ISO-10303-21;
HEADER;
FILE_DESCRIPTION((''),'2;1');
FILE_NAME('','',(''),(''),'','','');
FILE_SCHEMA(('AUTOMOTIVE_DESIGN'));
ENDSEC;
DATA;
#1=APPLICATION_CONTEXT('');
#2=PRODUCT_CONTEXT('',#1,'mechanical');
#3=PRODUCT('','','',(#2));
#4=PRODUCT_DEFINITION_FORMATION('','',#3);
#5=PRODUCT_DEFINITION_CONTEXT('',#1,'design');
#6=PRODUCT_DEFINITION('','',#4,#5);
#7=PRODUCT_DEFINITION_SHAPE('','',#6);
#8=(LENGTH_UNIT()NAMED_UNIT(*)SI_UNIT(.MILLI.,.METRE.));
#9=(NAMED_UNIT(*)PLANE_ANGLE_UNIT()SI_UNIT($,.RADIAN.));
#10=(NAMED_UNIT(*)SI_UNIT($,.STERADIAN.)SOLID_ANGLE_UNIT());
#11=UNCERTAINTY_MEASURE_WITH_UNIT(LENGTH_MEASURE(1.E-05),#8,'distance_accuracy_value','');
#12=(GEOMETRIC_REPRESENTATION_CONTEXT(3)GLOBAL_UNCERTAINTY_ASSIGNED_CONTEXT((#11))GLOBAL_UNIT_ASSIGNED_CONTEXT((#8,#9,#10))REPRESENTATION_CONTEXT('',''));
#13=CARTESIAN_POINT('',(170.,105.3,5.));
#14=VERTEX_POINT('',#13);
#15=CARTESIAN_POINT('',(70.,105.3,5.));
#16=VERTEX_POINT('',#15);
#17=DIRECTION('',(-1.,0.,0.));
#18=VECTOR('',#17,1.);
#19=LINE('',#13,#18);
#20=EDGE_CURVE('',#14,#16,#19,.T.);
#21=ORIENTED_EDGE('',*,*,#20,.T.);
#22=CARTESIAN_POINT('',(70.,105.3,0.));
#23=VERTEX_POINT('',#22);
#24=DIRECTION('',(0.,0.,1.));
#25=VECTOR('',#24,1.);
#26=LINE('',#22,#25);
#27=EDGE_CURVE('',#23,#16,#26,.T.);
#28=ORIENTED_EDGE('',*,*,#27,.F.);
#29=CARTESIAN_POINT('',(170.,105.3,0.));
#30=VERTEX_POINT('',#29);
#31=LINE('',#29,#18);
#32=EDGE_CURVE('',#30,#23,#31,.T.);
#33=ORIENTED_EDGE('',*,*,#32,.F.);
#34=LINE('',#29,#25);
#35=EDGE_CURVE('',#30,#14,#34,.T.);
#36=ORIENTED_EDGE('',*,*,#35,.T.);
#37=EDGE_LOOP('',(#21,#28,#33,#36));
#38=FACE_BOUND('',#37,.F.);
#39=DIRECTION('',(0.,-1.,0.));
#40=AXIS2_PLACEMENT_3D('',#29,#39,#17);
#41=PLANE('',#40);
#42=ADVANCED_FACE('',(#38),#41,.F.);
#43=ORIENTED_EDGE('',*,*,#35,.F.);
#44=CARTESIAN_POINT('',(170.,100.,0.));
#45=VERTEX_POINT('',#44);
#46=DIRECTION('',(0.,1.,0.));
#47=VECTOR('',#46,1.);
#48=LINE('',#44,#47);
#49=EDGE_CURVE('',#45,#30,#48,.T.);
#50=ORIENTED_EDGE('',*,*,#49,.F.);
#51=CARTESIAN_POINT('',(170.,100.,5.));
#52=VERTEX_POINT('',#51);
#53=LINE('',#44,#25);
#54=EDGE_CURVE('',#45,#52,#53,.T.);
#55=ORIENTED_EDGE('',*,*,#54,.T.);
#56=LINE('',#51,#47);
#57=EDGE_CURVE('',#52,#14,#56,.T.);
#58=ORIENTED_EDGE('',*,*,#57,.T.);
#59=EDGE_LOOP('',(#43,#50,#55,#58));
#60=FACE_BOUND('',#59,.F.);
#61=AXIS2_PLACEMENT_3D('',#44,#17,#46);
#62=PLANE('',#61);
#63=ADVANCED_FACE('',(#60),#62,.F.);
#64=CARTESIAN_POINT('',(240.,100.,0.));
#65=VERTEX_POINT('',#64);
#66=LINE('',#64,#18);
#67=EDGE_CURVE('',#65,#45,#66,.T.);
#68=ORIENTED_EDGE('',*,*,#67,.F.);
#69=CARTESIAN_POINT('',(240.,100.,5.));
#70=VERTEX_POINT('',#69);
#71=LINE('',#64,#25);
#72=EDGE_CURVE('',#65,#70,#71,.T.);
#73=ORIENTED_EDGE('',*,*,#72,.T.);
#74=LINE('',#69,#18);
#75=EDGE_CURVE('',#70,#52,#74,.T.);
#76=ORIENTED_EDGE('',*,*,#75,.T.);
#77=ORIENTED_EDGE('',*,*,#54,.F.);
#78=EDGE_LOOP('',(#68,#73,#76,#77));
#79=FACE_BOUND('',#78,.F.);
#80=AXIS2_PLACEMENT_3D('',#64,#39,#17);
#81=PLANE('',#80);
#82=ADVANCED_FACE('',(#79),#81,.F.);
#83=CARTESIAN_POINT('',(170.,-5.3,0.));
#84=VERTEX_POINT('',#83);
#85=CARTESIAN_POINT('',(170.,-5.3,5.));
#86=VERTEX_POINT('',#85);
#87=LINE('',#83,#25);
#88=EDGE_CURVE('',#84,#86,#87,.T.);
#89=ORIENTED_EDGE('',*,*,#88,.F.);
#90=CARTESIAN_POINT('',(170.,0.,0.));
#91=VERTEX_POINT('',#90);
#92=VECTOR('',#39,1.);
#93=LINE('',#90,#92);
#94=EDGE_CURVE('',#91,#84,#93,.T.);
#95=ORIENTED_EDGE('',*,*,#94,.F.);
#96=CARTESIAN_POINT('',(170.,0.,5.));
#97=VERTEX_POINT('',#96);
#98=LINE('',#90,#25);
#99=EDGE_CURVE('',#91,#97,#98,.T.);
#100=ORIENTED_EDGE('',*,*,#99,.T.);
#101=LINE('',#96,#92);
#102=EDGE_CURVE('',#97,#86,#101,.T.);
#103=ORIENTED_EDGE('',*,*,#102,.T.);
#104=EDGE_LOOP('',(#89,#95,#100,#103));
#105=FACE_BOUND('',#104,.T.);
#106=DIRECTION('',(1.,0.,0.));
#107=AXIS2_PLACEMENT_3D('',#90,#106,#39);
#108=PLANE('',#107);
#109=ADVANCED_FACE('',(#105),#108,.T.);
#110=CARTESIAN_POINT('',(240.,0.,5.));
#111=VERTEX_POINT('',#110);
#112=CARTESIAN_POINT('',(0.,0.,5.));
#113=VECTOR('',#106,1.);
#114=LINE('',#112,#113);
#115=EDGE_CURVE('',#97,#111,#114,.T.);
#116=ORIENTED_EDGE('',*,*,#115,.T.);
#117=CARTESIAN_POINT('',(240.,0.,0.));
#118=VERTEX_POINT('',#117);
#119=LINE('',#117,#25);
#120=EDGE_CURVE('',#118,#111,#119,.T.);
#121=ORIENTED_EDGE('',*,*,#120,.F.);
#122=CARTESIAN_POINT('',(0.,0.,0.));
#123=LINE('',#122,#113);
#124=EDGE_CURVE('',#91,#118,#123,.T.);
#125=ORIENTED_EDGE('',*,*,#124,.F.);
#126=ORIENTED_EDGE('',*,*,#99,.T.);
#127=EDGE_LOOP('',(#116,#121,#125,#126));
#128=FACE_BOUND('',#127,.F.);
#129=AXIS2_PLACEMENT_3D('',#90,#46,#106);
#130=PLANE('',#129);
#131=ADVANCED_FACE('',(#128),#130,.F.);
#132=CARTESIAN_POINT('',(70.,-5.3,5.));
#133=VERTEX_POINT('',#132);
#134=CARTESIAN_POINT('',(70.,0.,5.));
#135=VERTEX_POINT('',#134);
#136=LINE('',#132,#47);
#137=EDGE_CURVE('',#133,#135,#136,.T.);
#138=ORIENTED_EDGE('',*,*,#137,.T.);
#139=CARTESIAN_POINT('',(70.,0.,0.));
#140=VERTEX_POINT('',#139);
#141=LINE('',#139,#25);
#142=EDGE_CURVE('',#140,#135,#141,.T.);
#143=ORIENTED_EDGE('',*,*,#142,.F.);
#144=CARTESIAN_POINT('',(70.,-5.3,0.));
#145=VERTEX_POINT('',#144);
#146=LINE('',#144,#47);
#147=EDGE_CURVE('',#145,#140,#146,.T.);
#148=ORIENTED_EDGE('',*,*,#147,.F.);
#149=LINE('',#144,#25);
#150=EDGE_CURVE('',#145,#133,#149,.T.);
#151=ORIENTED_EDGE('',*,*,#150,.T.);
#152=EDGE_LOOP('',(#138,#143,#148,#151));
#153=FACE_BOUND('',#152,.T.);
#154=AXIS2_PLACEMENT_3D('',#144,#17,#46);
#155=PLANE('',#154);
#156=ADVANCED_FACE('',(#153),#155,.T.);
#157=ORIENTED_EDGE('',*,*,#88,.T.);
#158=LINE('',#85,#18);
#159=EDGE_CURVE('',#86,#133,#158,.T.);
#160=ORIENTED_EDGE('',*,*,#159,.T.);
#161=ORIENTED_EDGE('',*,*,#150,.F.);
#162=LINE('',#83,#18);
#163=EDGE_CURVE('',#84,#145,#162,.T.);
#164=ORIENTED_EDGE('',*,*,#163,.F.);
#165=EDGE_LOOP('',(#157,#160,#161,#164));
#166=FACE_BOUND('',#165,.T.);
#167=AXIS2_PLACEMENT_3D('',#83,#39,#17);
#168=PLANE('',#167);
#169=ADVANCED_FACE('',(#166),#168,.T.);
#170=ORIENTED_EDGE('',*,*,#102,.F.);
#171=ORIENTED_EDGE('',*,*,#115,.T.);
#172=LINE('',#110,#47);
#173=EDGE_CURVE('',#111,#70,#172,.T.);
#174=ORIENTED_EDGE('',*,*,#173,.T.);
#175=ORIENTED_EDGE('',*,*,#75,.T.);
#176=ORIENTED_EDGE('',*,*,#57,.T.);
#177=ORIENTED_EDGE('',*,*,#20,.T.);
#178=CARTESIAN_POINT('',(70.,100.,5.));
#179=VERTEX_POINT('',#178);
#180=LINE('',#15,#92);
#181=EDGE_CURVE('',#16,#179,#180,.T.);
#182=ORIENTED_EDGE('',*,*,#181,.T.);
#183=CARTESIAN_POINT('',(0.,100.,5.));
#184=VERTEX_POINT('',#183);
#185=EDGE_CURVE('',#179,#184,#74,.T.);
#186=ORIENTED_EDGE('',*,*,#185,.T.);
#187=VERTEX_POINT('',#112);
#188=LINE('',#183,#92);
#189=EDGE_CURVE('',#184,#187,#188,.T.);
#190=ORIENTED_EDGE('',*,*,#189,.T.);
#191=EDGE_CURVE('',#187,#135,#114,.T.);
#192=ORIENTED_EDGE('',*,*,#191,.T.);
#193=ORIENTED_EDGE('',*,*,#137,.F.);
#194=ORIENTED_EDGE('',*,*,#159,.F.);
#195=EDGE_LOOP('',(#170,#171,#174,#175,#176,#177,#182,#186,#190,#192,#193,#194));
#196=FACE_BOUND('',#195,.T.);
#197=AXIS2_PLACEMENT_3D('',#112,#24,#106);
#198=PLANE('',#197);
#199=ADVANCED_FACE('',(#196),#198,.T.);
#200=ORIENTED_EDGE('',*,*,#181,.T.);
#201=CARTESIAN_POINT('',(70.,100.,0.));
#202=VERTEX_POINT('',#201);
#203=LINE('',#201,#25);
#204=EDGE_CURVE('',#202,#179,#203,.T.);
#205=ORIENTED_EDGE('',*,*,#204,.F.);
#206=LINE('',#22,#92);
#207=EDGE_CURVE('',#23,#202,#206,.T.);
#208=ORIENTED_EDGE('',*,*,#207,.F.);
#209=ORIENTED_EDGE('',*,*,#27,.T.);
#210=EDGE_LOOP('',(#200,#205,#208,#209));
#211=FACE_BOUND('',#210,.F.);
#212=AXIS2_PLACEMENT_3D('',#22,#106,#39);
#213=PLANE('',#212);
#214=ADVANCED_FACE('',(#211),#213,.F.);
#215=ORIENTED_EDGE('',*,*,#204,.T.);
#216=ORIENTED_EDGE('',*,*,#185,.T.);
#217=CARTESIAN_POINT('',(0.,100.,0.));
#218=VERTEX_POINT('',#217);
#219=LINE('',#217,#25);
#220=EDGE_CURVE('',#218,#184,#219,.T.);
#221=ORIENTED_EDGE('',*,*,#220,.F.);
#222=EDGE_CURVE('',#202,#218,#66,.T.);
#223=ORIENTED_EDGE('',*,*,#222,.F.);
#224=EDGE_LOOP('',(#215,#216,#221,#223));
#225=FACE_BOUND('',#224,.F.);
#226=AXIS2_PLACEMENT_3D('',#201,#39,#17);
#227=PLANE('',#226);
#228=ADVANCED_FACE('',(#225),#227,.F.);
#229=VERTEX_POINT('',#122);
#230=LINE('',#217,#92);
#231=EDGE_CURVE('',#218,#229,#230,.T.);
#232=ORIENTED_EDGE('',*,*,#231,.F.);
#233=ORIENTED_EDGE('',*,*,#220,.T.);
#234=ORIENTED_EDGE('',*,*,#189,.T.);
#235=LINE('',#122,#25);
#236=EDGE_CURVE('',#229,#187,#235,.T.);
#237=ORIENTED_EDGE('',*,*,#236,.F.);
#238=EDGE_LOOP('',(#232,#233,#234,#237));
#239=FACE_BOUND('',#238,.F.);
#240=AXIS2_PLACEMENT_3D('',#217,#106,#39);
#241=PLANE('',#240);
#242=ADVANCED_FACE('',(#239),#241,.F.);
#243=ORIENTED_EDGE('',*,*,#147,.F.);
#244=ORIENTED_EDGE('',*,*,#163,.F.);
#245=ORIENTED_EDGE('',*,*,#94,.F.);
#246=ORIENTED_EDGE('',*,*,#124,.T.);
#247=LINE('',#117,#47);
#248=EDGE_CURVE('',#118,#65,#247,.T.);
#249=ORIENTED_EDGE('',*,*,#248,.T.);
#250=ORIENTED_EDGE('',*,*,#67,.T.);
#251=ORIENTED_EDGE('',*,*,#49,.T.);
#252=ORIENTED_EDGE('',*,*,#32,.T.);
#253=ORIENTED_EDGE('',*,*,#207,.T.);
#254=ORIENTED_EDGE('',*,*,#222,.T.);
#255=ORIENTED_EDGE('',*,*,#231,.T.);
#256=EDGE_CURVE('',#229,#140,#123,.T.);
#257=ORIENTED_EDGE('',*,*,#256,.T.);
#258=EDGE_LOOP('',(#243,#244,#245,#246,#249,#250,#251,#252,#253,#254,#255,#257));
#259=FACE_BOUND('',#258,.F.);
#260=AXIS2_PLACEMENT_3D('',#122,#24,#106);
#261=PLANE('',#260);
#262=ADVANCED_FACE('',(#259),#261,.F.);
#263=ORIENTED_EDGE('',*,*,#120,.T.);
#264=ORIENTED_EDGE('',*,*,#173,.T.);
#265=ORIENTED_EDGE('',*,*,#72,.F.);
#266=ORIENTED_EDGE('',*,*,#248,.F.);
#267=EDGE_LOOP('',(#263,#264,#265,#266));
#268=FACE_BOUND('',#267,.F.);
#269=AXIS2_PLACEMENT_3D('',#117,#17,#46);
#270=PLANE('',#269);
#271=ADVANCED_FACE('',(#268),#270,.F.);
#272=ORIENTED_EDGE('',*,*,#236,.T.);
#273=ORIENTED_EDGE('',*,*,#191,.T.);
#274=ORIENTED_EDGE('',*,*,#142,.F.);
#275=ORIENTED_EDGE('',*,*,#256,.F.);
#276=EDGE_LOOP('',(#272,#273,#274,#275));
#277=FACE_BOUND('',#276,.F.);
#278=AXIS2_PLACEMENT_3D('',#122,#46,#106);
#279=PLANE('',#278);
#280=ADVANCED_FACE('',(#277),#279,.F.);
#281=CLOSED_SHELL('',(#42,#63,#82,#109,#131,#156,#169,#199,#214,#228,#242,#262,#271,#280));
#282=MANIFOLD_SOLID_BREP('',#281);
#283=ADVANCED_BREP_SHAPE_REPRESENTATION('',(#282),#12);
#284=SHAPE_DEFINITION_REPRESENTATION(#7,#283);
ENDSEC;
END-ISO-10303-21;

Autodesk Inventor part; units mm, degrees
ref_plane "YZ Plane" through (0, 0, 0) normal (1, 0, 0) x (0, 1, 0)
ref_plane "XZ Plane" through (0, 0, 0) normal (0, 1, 0) x (-1, 0, 0)
ref_plane "XY Plane" through (0, 0, 0) normal (0, 0, 1) x (1, 0, 0)
sketch "Sketch1" plane through (0, 0, 0) normal (0, 0, 1) x (1, 0, 0)
  line L0 (0, 0) -> (240, 0)
  line L1 (240, 0) -> (240, 100)
  line L2 (240, 100) -> (0, 100)
  line L3 (0, 100) -> (0, 0)
  line L4 (70, 0) -> (170, 0)
  line L5 (170, 0) -> (170, -5.3)
  line L6 (170, -5.3) -> (70, -5.3)
  line L7 (70, -5.3) -> (70, 0)
  line L8 (70, 100) -> (170, 100)
  line L9 (170, 100) -> (170, 105.3)
  line L10 (170, 105.3) -> (70, 105.3)
  line L11 (70, 105.3) -> (70, 100)
  point P0 (0, 20)
  point P1 (170, 0)
  dimension "d0" = 240
  dimension "d1" = 100
  dimension "d2" = 100
  dimension "d3" = 5.3
  dimension "d8" = 70
  dimension "d9" = 5.3
extrude "Extrusion1" add sketch "Sketch1" along normal blind 5
properties part number "front"
